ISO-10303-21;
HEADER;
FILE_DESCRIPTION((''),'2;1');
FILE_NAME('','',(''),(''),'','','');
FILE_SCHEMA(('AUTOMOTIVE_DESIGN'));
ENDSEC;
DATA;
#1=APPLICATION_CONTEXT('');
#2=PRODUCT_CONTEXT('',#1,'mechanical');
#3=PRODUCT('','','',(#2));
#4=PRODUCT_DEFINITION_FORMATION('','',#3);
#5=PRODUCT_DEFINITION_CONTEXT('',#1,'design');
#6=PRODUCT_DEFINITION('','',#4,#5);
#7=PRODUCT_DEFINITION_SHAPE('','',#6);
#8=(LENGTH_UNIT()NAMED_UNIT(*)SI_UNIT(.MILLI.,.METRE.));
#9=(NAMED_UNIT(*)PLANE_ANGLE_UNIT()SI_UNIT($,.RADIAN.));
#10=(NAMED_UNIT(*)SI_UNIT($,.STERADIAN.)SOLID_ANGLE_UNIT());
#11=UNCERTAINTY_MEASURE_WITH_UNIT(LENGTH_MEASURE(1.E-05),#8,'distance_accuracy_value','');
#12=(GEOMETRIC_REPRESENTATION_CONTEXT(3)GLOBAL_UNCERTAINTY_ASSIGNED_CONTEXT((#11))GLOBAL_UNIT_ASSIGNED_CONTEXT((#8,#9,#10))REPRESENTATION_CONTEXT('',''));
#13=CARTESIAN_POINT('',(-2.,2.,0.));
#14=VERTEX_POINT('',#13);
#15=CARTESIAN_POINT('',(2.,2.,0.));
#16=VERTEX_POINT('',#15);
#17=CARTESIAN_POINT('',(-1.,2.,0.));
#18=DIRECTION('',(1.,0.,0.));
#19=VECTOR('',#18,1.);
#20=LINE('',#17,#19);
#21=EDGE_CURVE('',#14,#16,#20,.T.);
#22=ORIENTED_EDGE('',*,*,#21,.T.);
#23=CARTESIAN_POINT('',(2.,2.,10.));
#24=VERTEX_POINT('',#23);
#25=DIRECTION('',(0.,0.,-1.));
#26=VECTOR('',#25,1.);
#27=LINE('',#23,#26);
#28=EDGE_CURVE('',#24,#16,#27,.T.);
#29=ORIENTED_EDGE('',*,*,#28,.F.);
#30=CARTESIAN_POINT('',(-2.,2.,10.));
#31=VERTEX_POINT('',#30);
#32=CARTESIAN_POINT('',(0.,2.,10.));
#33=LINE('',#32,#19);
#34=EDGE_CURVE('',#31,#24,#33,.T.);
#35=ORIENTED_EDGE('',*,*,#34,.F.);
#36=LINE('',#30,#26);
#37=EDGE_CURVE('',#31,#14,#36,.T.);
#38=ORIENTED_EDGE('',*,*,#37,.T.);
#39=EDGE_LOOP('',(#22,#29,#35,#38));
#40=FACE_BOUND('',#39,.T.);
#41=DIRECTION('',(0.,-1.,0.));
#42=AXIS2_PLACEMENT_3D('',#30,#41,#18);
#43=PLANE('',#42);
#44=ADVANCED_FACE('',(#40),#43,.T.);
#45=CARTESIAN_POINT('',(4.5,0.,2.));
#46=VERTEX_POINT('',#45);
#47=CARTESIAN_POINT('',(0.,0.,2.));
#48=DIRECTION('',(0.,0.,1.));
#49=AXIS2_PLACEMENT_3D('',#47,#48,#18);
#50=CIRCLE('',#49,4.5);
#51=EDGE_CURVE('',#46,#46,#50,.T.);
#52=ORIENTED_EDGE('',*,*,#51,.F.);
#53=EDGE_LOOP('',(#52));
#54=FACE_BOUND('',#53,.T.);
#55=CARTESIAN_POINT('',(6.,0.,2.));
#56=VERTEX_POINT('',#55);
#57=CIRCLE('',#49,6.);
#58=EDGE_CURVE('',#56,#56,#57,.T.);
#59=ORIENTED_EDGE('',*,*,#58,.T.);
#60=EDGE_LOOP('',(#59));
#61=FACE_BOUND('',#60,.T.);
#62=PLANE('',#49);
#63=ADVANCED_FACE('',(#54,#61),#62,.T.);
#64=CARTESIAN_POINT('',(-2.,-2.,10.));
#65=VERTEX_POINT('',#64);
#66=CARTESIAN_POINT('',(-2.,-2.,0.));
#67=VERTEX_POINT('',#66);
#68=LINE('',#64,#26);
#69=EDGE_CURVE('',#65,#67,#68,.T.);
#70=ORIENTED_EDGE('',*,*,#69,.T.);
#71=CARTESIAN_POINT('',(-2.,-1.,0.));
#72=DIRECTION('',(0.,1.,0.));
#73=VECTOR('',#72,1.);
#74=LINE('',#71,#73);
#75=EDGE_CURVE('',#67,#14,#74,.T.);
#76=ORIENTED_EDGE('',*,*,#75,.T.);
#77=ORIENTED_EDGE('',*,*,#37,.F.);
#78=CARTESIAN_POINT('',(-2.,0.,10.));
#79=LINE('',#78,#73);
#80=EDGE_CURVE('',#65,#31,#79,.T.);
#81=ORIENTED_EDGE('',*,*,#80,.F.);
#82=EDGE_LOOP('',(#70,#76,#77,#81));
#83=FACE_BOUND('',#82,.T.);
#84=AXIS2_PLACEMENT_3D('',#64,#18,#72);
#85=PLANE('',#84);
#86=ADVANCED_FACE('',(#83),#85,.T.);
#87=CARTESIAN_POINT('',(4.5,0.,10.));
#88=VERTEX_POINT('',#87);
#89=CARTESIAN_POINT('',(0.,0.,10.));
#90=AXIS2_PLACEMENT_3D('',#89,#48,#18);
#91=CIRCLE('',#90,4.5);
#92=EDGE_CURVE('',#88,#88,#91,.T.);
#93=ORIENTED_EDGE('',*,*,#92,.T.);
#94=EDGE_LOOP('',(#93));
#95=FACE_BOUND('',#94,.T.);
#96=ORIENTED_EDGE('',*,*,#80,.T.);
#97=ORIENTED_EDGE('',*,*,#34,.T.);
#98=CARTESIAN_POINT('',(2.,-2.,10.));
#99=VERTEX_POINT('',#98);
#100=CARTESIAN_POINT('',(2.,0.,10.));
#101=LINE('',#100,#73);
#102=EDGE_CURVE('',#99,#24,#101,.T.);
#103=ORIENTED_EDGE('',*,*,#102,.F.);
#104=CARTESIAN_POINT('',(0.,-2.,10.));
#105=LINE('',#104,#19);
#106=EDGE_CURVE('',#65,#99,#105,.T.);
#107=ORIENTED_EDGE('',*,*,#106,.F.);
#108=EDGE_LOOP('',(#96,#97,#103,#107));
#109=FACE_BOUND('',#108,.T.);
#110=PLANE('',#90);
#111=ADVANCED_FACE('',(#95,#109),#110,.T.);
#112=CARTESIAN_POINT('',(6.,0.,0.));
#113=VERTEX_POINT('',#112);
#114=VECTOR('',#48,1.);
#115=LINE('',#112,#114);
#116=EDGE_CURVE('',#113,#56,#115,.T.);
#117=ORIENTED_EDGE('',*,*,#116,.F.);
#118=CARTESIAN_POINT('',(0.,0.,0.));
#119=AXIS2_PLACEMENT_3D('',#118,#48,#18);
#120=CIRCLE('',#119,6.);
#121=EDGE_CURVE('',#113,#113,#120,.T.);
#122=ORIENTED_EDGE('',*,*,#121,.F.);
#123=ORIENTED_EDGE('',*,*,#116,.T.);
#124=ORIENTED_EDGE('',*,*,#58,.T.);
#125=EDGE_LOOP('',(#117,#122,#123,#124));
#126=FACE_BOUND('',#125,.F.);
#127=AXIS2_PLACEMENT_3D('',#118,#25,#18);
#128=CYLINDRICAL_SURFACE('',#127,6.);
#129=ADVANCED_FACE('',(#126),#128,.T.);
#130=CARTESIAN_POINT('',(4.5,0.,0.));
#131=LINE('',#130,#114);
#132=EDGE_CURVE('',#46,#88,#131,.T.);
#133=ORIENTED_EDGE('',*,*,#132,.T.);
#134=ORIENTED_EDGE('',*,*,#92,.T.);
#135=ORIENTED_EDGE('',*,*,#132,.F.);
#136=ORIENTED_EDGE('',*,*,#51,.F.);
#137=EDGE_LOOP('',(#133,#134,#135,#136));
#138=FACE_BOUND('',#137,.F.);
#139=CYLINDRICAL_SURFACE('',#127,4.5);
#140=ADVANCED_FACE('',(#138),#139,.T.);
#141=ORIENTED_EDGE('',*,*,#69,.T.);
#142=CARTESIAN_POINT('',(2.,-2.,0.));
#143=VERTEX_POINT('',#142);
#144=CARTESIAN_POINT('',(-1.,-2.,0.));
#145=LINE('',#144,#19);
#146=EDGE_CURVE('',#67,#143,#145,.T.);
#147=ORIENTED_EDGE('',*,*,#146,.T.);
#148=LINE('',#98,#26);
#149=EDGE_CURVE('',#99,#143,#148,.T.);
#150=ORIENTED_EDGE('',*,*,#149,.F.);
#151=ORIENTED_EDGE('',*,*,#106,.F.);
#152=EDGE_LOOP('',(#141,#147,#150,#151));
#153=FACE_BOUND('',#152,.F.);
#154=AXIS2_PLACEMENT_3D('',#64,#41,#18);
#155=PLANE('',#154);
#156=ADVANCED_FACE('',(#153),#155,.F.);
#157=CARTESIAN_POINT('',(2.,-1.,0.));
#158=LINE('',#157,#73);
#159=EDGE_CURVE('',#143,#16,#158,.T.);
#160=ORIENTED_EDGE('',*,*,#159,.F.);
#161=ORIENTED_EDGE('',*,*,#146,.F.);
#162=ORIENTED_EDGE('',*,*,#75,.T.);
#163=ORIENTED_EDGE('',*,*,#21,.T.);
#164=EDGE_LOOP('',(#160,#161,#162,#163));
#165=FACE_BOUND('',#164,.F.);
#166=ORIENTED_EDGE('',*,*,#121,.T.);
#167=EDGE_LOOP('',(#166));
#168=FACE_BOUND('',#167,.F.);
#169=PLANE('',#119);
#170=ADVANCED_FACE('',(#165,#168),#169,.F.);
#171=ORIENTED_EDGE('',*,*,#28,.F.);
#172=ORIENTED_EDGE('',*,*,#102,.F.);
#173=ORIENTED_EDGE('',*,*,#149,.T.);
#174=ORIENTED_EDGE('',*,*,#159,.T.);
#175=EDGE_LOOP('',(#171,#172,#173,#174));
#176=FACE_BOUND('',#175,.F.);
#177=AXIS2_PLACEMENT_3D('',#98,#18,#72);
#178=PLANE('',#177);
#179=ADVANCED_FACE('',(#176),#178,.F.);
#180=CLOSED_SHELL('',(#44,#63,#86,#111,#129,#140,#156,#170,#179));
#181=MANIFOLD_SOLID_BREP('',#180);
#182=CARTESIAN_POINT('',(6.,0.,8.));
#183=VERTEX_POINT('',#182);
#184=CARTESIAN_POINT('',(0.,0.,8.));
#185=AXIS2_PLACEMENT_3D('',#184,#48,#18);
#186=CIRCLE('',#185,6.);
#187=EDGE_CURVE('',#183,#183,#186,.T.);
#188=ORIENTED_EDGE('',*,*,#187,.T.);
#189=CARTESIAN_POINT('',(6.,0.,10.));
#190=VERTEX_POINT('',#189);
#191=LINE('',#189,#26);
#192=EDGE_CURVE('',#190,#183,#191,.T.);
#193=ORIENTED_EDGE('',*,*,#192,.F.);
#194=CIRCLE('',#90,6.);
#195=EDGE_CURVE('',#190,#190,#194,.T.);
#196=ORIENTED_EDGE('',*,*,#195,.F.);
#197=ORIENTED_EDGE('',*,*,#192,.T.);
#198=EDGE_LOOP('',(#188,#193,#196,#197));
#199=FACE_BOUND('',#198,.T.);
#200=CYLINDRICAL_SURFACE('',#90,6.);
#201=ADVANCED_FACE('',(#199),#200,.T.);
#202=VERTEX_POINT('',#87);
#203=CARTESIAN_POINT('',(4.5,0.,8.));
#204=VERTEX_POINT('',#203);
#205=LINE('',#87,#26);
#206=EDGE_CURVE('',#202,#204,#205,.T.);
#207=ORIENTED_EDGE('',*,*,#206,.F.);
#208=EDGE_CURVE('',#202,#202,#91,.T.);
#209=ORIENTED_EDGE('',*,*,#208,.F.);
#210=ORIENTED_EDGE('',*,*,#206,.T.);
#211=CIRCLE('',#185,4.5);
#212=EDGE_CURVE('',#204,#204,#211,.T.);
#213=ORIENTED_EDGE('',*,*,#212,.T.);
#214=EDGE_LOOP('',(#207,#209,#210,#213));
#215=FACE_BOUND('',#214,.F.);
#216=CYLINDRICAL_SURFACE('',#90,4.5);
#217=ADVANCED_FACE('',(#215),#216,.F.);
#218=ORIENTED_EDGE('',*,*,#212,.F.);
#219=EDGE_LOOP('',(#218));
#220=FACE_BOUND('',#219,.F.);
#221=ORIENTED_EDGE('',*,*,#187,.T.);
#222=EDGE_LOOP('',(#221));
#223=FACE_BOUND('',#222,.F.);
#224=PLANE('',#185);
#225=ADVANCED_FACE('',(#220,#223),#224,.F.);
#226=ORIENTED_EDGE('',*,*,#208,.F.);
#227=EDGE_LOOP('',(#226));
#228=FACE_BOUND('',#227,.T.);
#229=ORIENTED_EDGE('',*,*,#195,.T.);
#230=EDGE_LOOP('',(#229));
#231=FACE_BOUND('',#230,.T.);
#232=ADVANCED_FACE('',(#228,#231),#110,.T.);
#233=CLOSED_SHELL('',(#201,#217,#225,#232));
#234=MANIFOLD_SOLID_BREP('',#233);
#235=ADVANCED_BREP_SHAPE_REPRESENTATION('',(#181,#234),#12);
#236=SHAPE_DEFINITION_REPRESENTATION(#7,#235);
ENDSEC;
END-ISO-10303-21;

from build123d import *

# Parameters (mm, degrees)
F0_R     = 6
F0_R_2   = 4.5
F1_DEPTH = 2
F2_DEPTH = 10
F3_R     = 6
F3_R_2   = 4.5
F4_DEPTH = 2
F3_W     = 4
F3_H     = 4
F5_DEPTH = 25


with BuildPart() as f1:
    # F0 (on Top) → F1 (new body)
    with BuildSketch(Plane.XY):
        Circle(F0_R)
        Circle(F0_R_2, mode=Mode.SUBTRACT)
    extrude(amount=F1_DEPTH)

    # F0 (on Top) → F2 (join)
    with BuildSketch(Plane.XY):
        Circle(F0_R_2)
    extrude(amount=F2_DEPTH)

    # F3 (on face) → F5 (cut)
    with BuildSketch(Plane.XY.offset(10)):
        Rectangle(F3_W, F3_H)
    extrude(amount=-F5_DEPTH, mode=Mode.SUBTRACT)


with BuildPart() as f4:
    # F3 (on face) → F4 (new body)
    with BuildSketch(Plane.XY.offset(10)):
        Circle(F3_R)
        Circle(F3_R_2, mode=Mode.SUBTRACT)
    extrude(amount=-F4_DEPTH)


solid = Compound([f1.part, f4.part])
